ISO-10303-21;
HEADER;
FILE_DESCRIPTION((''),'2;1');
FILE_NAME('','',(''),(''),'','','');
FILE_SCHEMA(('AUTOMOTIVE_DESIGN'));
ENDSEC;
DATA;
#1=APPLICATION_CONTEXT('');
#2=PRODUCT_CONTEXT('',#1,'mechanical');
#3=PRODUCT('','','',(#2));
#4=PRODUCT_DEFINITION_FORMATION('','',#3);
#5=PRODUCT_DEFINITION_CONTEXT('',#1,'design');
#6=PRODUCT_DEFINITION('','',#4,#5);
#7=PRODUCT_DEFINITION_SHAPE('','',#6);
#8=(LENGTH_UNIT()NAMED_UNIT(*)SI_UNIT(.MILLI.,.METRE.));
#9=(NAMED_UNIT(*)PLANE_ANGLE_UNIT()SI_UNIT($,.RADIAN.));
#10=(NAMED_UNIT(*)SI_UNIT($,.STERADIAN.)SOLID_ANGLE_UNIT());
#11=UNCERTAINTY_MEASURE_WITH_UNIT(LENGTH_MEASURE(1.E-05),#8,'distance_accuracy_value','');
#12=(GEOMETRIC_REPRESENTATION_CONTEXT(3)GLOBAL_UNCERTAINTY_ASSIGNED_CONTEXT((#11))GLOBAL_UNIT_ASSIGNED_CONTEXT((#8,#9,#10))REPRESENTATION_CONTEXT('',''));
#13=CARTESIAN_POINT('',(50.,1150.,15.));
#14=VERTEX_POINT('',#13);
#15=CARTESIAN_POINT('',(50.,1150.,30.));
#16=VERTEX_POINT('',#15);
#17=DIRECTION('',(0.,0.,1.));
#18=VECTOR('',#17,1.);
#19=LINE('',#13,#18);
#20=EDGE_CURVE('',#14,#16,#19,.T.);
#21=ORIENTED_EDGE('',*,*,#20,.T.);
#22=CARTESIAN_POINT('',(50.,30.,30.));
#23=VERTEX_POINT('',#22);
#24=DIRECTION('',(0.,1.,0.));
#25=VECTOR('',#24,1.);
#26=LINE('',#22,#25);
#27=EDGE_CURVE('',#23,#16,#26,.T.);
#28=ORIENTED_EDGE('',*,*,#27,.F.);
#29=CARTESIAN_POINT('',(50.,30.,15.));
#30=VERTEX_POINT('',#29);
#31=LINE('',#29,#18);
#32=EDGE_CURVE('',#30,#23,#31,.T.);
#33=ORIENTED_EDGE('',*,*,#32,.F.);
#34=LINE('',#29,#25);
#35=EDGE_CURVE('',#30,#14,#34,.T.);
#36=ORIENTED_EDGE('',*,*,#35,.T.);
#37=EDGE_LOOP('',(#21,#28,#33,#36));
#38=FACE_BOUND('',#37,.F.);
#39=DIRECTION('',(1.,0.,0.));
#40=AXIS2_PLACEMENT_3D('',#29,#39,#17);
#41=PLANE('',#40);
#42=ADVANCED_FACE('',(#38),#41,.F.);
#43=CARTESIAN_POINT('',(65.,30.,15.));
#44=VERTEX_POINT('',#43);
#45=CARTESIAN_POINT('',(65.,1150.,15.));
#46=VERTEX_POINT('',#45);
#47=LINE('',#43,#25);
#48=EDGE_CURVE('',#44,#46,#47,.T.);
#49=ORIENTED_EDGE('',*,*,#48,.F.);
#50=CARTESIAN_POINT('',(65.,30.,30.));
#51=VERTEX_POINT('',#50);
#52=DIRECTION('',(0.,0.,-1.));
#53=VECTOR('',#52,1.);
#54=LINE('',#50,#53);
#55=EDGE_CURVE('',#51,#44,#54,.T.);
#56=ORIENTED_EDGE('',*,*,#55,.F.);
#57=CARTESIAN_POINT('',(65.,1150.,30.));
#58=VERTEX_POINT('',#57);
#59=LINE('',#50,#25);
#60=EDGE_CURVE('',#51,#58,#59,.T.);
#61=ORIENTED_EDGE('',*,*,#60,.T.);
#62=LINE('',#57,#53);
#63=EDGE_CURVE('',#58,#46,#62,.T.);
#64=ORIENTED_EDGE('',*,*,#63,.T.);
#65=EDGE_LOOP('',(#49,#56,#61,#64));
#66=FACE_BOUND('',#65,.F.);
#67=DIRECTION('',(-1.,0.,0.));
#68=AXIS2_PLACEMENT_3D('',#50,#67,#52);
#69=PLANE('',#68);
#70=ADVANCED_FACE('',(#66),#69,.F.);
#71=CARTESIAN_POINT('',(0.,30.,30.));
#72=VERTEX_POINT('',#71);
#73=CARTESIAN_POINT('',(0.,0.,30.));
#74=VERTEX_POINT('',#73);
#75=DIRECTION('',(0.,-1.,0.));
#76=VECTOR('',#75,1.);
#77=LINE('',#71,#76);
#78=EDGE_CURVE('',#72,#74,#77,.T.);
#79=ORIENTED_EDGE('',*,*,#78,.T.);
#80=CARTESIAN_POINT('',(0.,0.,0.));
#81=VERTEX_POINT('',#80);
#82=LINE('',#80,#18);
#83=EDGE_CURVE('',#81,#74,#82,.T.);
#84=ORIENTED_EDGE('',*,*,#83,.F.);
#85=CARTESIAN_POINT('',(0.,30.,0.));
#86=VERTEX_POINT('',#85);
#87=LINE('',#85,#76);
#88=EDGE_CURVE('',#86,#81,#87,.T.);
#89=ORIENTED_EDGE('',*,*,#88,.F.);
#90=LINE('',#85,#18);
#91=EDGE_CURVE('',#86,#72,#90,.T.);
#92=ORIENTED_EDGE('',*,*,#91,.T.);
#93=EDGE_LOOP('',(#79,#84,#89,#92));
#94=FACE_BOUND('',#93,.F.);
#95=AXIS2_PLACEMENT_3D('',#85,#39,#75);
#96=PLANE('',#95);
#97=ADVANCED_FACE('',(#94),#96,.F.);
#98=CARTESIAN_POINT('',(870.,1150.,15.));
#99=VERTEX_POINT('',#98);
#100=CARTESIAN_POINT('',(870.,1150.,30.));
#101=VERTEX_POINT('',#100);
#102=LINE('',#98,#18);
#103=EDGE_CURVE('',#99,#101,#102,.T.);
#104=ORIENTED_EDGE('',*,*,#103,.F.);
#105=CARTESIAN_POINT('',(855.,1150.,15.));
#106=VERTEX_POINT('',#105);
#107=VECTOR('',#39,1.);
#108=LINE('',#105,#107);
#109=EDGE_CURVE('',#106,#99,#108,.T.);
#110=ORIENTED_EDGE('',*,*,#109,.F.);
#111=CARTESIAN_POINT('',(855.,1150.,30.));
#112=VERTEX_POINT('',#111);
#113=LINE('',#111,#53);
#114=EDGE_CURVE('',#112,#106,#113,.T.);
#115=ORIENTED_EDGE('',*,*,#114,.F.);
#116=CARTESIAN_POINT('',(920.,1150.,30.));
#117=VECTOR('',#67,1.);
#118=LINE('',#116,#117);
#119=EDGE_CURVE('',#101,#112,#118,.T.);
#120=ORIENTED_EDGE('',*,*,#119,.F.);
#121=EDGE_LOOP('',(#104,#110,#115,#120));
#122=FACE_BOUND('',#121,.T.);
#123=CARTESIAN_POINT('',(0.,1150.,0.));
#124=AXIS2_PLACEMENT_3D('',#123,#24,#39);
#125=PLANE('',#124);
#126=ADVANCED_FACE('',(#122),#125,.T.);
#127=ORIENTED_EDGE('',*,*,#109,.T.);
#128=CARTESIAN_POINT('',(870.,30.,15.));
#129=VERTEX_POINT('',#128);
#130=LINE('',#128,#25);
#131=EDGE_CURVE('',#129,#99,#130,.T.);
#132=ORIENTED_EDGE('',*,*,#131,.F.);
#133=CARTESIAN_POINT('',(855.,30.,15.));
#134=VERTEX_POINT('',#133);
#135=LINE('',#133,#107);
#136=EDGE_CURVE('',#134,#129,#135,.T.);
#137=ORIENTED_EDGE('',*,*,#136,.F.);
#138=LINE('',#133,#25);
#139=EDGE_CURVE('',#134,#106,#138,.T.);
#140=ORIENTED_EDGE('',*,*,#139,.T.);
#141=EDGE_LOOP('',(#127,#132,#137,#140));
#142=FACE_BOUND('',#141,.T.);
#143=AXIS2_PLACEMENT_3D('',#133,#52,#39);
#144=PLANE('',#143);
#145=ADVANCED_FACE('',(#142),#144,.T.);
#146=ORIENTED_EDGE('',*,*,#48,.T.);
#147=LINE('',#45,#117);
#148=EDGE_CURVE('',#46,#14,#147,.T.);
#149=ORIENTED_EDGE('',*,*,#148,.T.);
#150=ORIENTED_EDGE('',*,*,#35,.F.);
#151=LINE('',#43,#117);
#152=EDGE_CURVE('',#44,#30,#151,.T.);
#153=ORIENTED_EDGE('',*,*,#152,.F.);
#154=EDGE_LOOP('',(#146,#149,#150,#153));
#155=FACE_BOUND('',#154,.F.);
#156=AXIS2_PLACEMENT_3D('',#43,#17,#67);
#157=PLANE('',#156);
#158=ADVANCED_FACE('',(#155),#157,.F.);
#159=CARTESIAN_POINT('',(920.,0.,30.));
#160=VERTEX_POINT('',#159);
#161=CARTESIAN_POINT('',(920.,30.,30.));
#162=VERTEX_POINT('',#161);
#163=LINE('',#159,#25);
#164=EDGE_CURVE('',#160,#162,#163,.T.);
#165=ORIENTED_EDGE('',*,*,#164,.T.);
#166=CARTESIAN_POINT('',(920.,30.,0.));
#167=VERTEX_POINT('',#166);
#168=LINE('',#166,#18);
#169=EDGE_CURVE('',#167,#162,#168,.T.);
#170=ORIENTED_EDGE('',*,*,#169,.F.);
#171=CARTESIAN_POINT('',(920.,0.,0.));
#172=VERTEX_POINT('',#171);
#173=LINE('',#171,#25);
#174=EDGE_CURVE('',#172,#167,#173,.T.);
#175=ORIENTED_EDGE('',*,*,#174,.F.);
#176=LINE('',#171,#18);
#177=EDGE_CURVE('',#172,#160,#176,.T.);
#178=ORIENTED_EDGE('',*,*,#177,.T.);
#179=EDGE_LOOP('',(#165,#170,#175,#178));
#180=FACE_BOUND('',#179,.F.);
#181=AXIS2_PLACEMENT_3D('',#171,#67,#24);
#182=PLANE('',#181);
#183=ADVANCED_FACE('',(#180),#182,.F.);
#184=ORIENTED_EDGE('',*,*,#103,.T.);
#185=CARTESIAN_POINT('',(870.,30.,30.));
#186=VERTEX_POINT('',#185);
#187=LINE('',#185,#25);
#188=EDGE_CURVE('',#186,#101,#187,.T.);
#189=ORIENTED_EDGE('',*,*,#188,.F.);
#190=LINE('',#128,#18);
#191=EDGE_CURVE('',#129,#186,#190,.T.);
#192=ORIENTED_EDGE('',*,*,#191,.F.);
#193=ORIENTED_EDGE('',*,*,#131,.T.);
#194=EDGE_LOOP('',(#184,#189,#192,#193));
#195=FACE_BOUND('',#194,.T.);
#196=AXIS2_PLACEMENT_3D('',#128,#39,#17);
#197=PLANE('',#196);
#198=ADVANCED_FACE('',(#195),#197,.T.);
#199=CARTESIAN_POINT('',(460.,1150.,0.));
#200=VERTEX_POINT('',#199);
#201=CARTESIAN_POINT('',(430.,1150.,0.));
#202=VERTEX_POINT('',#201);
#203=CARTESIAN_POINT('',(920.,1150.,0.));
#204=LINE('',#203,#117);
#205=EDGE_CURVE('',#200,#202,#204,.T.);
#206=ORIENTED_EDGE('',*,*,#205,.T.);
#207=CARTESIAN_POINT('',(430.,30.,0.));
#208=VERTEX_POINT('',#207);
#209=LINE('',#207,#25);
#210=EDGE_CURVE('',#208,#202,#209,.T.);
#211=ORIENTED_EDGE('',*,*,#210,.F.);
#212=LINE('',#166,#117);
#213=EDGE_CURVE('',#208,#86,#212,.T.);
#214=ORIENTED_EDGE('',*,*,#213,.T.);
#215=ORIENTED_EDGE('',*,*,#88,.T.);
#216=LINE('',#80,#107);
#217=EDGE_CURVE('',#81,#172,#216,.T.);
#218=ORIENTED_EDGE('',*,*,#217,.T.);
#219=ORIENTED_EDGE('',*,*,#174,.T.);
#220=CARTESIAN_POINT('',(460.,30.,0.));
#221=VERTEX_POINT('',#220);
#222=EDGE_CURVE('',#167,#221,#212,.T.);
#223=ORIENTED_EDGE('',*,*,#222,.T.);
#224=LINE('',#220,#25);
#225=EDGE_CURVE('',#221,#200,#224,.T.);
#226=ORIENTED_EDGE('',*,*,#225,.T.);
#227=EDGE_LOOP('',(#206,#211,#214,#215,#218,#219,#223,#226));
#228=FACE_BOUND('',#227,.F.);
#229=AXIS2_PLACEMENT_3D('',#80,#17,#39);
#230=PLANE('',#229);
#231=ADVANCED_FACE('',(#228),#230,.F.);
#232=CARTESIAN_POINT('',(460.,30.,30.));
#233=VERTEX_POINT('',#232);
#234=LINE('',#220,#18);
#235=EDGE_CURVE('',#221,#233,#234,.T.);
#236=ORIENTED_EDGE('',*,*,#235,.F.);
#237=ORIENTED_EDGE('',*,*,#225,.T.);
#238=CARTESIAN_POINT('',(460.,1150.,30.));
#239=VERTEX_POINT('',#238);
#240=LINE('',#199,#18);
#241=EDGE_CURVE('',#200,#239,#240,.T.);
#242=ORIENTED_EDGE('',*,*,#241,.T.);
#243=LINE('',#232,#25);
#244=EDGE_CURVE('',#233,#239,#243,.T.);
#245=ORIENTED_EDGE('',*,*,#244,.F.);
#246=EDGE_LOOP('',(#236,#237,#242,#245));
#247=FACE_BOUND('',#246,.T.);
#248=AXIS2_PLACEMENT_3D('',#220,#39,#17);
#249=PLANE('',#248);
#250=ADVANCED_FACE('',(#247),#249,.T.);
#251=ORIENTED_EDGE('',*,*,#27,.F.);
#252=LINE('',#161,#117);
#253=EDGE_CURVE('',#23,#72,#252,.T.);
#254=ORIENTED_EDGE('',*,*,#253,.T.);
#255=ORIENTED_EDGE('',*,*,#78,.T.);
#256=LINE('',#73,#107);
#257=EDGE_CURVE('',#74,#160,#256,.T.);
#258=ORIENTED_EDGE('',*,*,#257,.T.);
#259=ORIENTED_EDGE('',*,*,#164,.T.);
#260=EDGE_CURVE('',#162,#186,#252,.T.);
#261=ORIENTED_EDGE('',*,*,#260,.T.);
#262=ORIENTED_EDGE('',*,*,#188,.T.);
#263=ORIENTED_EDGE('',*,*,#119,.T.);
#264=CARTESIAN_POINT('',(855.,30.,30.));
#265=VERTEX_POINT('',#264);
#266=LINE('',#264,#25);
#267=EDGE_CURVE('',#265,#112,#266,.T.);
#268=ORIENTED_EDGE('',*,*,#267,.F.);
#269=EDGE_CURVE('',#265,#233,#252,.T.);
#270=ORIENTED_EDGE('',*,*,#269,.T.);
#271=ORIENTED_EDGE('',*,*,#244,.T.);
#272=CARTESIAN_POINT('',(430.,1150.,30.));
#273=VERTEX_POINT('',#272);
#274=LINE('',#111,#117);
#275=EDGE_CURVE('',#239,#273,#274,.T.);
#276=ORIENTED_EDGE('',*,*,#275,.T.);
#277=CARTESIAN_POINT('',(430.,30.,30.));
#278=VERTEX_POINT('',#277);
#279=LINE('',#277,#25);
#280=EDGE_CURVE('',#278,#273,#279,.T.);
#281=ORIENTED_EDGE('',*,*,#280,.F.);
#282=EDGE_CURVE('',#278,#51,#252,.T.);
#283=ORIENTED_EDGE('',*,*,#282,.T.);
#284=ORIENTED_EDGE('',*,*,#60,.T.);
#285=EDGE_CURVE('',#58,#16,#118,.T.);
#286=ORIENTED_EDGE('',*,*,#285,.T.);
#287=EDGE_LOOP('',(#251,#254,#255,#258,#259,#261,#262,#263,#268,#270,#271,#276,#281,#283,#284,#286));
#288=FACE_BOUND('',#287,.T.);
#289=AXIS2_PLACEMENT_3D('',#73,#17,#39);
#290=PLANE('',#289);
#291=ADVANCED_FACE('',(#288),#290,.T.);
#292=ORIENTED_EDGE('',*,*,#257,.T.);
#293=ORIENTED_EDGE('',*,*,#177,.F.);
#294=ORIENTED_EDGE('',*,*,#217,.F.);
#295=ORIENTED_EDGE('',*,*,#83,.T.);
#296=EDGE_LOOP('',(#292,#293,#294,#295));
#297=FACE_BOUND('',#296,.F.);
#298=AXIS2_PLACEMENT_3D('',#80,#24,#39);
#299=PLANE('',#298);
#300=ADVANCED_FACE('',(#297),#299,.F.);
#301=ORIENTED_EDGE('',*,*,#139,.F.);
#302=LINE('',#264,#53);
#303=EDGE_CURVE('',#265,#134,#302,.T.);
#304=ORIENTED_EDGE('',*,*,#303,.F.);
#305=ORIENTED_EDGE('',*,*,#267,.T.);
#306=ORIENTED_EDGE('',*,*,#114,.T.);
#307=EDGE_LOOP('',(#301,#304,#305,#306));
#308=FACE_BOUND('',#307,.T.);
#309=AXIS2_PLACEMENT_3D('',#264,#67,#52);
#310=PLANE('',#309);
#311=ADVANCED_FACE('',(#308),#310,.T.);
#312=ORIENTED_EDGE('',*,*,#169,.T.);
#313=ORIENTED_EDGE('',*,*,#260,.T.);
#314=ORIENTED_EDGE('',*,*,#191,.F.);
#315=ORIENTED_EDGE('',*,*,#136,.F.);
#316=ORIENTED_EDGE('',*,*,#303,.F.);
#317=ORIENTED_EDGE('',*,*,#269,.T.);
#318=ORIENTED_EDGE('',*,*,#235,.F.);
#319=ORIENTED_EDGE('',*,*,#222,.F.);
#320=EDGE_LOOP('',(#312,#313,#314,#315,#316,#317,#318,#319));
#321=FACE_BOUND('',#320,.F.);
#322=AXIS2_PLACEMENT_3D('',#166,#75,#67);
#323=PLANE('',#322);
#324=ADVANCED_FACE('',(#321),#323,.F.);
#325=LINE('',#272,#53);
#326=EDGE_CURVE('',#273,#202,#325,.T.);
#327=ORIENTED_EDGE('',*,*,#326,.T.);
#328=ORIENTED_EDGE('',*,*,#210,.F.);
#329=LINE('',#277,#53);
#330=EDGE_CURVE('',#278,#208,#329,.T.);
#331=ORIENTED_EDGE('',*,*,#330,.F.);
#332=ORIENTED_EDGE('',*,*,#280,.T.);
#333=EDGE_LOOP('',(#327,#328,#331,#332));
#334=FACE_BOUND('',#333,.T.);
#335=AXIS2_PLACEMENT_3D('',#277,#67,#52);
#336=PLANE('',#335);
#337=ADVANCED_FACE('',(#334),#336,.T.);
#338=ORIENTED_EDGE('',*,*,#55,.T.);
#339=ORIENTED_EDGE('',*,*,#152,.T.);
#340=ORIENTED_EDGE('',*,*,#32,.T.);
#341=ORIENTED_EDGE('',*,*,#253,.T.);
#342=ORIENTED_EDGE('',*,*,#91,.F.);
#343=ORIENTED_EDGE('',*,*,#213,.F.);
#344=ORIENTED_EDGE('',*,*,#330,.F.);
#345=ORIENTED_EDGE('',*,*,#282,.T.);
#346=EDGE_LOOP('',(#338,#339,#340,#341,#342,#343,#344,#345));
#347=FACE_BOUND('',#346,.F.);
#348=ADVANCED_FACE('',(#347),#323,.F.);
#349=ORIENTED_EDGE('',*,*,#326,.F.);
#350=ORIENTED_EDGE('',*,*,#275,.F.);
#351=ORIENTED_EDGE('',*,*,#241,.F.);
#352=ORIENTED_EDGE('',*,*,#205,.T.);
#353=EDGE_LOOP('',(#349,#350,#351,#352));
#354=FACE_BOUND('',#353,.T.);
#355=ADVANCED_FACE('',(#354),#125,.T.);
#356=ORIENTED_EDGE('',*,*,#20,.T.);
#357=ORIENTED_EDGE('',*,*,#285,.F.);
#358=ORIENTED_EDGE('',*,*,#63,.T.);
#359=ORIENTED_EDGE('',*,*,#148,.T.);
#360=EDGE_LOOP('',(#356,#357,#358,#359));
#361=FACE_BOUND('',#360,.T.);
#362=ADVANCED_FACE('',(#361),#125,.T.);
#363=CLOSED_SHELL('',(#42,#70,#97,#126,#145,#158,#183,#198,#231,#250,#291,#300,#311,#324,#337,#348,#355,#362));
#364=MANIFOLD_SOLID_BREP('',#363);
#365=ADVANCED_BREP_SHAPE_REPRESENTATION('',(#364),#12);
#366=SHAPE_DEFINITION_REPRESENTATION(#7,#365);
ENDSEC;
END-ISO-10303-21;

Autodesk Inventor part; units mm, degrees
ref_plane "YZ Plane" through (0, 0, 0) normal (1, 0, 0) x (0, 1, 0)
ref_plane "XZ Plane" through (0, 0, 0) normal (0, 1, 0) x (-1, 0, 0)
ref_plane "XY Plane" through (0, 0, 0) normal (0, 0, 1) x (1, 0, 0)
sketch "Sketch1" plane through (0, 0, 0) normal (0, 0, 1) x (1, 0, 0)
  line L0 (0, 0) -> (920, 0)
  line L1 (920, 0) -> (920, 30)
  line L2 (920, 30) -> (0, 30)
  line L3 (0, 30) -> (0, 0)
  dimension "d0" = 30
  dimension "d1" = 920
extrude "Extrusion1" add sketch "Sketch1" along normal blind 30
sketch "Sketch2" plane through (0, 30, 0) normal (0, 1, 0) x (1, 0, 0)
  line L0 (920, -30) -> (0, -30) projected
  line L1 (50, -30) -> (65, -30)
  line L2 (65, -30) -> (65, -15)
  line L3 (65, -15) -> (50, -15)
  line L4 (50, -15) -> (50, -30)
  line L5 (0, 0) -> (0, -30) projected
  line L6 (870, -30) -> (855, -30)
  line L7 (855, -30) -> (855, -15)
  line L8 (855, -15) -> (870, -15)
  line L9 (870, -15) -> (870, -30)
  line L10 (920, 0) -> (920, -30) projected
  dimension "d4" = 15
  dimension "d5" = 15
  dimension "d6" = 50
  dimension "d7" = 15
  dimension "d8" = 15
  dimension "d9" = 50
extrude "Extrusion2" add sketch "Sketch2" along normal blind 1120
sketch "Sketch3" plane through (0, 30, 0) normal (0, 1, 0) x (1, 0, 0)
  line L0 (920, 0) -> (0, 0) projected
  line L1 (855, -30) -> (65, -30) projected
  line L2 (430, 0) -> (460, 0)
  line L3 (460, 0) -> (460, -30)
  line L4 (460, -30) -> (430, -30)
  line L5 (430, -30) -> (430, 0)
  line L6 (920, 0) -> (920, -30) projected
  point P0 (460, -15)
  dimension "d12" = 30
  dimension "d13" = 460
extrude "Extrusion3" add sketch "Sketch3" along normal blind 1120
properties part number "Nhom30"
